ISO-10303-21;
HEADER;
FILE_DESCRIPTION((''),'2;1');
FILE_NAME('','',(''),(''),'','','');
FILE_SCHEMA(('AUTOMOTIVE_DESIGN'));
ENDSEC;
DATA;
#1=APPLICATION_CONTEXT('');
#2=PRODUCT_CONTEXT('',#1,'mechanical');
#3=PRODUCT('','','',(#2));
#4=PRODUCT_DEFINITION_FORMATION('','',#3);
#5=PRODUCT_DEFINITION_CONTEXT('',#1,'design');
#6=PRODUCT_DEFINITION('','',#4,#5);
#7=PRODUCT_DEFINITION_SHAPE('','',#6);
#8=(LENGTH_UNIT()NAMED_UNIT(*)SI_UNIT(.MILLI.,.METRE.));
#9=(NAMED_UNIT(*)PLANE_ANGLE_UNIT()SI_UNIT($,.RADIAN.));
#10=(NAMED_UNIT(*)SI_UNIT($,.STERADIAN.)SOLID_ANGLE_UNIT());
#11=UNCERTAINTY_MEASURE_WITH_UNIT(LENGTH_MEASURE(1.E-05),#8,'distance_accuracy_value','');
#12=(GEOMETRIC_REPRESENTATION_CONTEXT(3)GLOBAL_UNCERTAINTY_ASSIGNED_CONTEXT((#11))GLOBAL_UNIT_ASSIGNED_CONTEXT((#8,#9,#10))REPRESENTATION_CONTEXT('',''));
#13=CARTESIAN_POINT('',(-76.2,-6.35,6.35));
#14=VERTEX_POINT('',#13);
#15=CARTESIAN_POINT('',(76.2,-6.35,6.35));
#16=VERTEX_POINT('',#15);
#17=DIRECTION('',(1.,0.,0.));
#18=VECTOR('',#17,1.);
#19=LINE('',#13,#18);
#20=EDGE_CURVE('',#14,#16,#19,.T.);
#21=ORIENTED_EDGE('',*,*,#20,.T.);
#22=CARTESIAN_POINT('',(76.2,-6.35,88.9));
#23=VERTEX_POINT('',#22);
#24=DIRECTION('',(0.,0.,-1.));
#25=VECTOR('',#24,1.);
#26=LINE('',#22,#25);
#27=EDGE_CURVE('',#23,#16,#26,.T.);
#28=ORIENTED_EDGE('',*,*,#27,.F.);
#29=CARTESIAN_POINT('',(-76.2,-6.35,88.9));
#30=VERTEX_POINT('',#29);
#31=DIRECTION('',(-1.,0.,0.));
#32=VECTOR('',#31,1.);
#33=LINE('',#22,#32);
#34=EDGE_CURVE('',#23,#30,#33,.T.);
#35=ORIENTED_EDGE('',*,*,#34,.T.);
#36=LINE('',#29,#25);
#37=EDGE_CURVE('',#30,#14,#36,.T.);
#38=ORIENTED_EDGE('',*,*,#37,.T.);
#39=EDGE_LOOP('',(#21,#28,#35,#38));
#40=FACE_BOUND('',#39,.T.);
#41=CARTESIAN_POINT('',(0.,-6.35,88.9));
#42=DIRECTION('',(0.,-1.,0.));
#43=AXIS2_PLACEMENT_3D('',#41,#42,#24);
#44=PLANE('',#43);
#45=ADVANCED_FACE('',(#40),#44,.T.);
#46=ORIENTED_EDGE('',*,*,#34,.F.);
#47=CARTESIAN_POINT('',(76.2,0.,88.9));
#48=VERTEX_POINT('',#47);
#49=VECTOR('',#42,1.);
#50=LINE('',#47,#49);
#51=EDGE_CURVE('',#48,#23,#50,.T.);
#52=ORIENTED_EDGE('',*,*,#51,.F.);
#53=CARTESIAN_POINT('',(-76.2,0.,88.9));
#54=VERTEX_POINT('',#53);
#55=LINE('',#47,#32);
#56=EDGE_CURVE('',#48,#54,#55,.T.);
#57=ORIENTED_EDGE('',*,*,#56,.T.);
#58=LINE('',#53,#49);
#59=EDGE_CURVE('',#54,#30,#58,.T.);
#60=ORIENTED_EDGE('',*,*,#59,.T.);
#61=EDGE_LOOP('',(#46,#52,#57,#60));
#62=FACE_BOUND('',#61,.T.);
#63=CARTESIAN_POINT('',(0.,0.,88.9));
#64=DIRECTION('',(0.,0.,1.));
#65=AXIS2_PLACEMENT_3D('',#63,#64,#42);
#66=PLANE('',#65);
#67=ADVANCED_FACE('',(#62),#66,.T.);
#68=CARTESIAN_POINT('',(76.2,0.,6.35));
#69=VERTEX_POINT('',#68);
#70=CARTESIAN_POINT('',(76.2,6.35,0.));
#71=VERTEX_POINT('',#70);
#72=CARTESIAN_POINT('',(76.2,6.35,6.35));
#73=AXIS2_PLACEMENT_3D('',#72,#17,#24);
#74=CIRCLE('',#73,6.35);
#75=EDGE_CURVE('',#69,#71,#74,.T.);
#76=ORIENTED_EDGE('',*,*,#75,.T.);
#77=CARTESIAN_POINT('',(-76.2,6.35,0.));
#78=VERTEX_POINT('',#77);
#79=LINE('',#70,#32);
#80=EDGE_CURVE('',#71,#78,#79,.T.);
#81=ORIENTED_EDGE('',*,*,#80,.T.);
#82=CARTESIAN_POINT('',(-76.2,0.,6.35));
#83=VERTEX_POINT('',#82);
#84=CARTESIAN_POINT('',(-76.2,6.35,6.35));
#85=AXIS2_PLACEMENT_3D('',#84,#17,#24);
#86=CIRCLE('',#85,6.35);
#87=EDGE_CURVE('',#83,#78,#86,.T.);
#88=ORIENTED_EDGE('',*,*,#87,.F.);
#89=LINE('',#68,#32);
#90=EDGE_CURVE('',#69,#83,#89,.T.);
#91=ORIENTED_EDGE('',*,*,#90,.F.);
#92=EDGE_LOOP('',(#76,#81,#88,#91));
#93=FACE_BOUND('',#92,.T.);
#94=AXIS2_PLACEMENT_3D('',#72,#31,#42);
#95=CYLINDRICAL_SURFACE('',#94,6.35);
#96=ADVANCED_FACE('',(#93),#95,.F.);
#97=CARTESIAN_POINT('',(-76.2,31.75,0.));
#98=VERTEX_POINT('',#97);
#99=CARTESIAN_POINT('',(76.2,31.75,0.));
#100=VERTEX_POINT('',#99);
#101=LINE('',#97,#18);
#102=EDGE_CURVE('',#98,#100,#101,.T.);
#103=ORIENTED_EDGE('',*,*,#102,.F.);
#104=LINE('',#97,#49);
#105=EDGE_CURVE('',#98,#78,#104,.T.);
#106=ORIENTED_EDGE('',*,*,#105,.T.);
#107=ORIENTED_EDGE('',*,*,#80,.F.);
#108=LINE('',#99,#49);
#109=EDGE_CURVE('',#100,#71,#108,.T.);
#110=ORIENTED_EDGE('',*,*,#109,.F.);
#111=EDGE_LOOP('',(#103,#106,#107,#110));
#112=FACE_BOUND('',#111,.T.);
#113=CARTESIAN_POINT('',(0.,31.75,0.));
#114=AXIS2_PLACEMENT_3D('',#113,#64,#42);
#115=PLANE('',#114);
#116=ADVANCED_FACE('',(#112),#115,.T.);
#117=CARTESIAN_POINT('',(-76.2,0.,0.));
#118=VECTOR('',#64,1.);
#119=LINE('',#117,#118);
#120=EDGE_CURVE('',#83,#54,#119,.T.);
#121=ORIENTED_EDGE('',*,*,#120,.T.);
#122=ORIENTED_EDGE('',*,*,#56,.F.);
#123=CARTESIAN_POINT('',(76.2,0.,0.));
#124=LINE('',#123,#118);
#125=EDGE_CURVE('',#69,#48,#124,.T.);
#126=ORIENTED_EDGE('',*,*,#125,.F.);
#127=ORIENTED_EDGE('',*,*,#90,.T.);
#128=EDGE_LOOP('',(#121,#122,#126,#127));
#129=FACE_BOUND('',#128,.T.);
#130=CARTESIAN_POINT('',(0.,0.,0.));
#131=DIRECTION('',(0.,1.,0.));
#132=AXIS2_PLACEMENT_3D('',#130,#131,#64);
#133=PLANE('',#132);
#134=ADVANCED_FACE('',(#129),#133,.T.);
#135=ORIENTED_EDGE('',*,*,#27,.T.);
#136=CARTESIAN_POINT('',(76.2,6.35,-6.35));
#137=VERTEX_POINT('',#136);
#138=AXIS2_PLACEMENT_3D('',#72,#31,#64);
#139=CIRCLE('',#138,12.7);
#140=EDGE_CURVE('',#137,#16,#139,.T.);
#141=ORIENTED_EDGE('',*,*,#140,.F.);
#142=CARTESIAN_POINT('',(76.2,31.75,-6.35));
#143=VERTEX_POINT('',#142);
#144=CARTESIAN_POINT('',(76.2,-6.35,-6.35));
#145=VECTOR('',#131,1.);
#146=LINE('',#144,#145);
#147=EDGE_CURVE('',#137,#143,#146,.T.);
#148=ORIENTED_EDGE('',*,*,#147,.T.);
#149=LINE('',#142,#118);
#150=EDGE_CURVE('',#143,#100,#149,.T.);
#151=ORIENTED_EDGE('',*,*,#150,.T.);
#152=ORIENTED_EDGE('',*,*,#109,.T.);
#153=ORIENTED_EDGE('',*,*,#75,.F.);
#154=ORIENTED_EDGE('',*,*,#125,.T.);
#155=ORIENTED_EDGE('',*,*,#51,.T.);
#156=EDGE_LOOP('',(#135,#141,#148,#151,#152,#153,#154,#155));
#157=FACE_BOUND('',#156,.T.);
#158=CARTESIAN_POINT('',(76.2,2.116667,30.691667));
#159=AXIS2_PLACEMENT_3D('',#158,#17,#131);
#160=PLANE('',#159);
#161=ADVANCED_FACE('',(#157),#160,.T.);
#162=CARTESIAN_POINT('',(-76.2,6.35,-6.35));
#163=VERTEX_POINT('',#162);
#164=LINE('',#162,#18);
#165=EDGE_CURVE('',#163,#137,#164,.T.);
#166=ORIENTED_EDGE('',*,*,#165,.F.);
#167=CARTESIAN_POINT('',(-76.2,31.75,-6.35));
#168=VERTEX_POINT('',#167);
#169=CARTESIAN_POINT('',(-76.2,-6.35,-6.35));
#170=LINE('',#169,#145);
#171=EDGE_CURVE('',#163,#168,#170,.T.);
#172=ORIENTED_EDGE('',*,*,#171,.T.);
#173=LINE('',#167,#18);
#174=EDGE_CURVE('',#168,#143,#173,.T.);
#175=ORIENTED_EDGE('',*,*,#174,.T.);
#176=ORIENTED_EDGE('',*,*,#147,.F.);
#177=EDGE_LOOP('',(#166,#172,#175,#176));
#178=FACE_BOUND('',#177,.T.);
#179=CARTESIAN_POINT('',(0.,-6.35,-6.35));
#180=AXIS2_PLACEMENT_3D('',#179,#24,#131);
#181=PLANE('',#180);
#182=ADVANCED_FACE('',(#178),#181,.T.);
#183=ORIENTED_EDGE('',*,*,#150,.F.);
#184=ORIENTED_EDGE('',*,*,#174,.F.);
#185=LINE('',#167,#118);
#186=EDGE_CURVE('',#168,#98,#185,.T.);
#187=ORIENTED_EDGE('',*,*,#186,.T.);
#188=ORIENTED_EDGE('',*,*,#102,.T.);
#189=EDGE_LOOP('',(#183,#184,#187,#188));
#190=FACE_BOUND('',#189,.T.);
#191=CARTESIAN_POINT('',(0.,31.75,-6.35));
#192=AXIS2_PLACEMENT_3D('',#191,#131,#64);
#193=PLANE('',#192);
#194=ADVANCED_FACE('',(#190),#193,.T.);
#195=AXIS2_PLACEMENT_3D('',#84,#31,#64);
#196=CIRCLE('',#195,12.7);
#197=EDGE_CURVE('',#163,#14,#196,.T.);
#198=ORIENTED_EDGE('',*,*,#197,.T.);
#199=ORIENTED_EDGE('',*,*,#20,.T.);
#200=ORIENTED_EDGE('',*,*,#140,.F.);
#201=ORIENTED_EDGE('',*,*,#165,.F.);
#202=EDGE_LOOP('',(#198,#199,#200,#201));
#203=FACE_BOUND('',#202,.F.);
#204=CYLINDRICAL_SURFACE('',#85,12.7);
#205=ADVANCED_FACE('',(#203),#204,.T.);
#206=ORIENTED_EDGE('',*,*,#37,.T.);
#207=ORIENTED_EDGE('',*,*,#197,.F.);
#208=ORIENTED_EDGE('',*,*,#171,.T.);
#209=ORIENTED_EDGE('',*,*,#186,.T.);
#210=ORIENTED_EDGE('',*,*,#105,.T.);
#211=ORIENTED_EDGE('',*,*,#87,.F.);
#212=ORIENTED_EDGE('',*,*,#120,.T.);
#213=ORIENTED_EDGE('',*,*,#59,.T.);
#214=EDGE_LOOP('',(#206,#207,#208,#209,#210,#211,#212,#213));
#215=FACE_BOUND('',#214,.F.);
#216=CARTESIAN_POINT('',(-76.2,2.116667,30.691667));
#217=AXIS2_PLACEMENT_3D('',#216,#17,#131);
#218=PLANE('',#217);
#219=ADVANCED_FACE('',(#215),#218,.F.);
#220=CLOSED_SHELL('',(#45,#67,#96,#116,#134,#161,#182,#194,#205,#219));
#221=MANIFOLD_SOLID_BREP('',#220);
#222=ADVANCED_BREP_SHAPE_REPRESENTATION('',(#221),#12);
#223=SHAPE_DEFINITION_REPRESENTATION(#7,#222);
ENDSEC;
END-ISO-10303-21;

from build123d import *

# Parameters (mm, degrees)
F1_DEPTH = 76.2
F2_R     = 6.35
F3_R     = 12.7


with BuildPart() as f1:
    # F0 (on Right) → F1 (new body, symmetric)
    with BuildSketch(Plane.YZ):
        Polygon((-6.35, 88.9), (-6.35, -6.35), (31.75, -6.35), (31.75, 0), (0, 0), (0, 88.9), align=None)
    extrude(amount=F1_DEPTH, both=True)

    # F2
    f2_edges = [f1.edges().sort_by_distance(p)[0] for p in [
        (0, 0, 0),
    ]]
    fillet(f2_edges, radius=F2_R)

    # F3
    f3_edges = [f1.edges().sort_by_distance(p)[0] for p in [
        (0, -6.35, -6.35),
    ]]
    fillet(f3_edges, radius=F3_R)


solid = f1.part
